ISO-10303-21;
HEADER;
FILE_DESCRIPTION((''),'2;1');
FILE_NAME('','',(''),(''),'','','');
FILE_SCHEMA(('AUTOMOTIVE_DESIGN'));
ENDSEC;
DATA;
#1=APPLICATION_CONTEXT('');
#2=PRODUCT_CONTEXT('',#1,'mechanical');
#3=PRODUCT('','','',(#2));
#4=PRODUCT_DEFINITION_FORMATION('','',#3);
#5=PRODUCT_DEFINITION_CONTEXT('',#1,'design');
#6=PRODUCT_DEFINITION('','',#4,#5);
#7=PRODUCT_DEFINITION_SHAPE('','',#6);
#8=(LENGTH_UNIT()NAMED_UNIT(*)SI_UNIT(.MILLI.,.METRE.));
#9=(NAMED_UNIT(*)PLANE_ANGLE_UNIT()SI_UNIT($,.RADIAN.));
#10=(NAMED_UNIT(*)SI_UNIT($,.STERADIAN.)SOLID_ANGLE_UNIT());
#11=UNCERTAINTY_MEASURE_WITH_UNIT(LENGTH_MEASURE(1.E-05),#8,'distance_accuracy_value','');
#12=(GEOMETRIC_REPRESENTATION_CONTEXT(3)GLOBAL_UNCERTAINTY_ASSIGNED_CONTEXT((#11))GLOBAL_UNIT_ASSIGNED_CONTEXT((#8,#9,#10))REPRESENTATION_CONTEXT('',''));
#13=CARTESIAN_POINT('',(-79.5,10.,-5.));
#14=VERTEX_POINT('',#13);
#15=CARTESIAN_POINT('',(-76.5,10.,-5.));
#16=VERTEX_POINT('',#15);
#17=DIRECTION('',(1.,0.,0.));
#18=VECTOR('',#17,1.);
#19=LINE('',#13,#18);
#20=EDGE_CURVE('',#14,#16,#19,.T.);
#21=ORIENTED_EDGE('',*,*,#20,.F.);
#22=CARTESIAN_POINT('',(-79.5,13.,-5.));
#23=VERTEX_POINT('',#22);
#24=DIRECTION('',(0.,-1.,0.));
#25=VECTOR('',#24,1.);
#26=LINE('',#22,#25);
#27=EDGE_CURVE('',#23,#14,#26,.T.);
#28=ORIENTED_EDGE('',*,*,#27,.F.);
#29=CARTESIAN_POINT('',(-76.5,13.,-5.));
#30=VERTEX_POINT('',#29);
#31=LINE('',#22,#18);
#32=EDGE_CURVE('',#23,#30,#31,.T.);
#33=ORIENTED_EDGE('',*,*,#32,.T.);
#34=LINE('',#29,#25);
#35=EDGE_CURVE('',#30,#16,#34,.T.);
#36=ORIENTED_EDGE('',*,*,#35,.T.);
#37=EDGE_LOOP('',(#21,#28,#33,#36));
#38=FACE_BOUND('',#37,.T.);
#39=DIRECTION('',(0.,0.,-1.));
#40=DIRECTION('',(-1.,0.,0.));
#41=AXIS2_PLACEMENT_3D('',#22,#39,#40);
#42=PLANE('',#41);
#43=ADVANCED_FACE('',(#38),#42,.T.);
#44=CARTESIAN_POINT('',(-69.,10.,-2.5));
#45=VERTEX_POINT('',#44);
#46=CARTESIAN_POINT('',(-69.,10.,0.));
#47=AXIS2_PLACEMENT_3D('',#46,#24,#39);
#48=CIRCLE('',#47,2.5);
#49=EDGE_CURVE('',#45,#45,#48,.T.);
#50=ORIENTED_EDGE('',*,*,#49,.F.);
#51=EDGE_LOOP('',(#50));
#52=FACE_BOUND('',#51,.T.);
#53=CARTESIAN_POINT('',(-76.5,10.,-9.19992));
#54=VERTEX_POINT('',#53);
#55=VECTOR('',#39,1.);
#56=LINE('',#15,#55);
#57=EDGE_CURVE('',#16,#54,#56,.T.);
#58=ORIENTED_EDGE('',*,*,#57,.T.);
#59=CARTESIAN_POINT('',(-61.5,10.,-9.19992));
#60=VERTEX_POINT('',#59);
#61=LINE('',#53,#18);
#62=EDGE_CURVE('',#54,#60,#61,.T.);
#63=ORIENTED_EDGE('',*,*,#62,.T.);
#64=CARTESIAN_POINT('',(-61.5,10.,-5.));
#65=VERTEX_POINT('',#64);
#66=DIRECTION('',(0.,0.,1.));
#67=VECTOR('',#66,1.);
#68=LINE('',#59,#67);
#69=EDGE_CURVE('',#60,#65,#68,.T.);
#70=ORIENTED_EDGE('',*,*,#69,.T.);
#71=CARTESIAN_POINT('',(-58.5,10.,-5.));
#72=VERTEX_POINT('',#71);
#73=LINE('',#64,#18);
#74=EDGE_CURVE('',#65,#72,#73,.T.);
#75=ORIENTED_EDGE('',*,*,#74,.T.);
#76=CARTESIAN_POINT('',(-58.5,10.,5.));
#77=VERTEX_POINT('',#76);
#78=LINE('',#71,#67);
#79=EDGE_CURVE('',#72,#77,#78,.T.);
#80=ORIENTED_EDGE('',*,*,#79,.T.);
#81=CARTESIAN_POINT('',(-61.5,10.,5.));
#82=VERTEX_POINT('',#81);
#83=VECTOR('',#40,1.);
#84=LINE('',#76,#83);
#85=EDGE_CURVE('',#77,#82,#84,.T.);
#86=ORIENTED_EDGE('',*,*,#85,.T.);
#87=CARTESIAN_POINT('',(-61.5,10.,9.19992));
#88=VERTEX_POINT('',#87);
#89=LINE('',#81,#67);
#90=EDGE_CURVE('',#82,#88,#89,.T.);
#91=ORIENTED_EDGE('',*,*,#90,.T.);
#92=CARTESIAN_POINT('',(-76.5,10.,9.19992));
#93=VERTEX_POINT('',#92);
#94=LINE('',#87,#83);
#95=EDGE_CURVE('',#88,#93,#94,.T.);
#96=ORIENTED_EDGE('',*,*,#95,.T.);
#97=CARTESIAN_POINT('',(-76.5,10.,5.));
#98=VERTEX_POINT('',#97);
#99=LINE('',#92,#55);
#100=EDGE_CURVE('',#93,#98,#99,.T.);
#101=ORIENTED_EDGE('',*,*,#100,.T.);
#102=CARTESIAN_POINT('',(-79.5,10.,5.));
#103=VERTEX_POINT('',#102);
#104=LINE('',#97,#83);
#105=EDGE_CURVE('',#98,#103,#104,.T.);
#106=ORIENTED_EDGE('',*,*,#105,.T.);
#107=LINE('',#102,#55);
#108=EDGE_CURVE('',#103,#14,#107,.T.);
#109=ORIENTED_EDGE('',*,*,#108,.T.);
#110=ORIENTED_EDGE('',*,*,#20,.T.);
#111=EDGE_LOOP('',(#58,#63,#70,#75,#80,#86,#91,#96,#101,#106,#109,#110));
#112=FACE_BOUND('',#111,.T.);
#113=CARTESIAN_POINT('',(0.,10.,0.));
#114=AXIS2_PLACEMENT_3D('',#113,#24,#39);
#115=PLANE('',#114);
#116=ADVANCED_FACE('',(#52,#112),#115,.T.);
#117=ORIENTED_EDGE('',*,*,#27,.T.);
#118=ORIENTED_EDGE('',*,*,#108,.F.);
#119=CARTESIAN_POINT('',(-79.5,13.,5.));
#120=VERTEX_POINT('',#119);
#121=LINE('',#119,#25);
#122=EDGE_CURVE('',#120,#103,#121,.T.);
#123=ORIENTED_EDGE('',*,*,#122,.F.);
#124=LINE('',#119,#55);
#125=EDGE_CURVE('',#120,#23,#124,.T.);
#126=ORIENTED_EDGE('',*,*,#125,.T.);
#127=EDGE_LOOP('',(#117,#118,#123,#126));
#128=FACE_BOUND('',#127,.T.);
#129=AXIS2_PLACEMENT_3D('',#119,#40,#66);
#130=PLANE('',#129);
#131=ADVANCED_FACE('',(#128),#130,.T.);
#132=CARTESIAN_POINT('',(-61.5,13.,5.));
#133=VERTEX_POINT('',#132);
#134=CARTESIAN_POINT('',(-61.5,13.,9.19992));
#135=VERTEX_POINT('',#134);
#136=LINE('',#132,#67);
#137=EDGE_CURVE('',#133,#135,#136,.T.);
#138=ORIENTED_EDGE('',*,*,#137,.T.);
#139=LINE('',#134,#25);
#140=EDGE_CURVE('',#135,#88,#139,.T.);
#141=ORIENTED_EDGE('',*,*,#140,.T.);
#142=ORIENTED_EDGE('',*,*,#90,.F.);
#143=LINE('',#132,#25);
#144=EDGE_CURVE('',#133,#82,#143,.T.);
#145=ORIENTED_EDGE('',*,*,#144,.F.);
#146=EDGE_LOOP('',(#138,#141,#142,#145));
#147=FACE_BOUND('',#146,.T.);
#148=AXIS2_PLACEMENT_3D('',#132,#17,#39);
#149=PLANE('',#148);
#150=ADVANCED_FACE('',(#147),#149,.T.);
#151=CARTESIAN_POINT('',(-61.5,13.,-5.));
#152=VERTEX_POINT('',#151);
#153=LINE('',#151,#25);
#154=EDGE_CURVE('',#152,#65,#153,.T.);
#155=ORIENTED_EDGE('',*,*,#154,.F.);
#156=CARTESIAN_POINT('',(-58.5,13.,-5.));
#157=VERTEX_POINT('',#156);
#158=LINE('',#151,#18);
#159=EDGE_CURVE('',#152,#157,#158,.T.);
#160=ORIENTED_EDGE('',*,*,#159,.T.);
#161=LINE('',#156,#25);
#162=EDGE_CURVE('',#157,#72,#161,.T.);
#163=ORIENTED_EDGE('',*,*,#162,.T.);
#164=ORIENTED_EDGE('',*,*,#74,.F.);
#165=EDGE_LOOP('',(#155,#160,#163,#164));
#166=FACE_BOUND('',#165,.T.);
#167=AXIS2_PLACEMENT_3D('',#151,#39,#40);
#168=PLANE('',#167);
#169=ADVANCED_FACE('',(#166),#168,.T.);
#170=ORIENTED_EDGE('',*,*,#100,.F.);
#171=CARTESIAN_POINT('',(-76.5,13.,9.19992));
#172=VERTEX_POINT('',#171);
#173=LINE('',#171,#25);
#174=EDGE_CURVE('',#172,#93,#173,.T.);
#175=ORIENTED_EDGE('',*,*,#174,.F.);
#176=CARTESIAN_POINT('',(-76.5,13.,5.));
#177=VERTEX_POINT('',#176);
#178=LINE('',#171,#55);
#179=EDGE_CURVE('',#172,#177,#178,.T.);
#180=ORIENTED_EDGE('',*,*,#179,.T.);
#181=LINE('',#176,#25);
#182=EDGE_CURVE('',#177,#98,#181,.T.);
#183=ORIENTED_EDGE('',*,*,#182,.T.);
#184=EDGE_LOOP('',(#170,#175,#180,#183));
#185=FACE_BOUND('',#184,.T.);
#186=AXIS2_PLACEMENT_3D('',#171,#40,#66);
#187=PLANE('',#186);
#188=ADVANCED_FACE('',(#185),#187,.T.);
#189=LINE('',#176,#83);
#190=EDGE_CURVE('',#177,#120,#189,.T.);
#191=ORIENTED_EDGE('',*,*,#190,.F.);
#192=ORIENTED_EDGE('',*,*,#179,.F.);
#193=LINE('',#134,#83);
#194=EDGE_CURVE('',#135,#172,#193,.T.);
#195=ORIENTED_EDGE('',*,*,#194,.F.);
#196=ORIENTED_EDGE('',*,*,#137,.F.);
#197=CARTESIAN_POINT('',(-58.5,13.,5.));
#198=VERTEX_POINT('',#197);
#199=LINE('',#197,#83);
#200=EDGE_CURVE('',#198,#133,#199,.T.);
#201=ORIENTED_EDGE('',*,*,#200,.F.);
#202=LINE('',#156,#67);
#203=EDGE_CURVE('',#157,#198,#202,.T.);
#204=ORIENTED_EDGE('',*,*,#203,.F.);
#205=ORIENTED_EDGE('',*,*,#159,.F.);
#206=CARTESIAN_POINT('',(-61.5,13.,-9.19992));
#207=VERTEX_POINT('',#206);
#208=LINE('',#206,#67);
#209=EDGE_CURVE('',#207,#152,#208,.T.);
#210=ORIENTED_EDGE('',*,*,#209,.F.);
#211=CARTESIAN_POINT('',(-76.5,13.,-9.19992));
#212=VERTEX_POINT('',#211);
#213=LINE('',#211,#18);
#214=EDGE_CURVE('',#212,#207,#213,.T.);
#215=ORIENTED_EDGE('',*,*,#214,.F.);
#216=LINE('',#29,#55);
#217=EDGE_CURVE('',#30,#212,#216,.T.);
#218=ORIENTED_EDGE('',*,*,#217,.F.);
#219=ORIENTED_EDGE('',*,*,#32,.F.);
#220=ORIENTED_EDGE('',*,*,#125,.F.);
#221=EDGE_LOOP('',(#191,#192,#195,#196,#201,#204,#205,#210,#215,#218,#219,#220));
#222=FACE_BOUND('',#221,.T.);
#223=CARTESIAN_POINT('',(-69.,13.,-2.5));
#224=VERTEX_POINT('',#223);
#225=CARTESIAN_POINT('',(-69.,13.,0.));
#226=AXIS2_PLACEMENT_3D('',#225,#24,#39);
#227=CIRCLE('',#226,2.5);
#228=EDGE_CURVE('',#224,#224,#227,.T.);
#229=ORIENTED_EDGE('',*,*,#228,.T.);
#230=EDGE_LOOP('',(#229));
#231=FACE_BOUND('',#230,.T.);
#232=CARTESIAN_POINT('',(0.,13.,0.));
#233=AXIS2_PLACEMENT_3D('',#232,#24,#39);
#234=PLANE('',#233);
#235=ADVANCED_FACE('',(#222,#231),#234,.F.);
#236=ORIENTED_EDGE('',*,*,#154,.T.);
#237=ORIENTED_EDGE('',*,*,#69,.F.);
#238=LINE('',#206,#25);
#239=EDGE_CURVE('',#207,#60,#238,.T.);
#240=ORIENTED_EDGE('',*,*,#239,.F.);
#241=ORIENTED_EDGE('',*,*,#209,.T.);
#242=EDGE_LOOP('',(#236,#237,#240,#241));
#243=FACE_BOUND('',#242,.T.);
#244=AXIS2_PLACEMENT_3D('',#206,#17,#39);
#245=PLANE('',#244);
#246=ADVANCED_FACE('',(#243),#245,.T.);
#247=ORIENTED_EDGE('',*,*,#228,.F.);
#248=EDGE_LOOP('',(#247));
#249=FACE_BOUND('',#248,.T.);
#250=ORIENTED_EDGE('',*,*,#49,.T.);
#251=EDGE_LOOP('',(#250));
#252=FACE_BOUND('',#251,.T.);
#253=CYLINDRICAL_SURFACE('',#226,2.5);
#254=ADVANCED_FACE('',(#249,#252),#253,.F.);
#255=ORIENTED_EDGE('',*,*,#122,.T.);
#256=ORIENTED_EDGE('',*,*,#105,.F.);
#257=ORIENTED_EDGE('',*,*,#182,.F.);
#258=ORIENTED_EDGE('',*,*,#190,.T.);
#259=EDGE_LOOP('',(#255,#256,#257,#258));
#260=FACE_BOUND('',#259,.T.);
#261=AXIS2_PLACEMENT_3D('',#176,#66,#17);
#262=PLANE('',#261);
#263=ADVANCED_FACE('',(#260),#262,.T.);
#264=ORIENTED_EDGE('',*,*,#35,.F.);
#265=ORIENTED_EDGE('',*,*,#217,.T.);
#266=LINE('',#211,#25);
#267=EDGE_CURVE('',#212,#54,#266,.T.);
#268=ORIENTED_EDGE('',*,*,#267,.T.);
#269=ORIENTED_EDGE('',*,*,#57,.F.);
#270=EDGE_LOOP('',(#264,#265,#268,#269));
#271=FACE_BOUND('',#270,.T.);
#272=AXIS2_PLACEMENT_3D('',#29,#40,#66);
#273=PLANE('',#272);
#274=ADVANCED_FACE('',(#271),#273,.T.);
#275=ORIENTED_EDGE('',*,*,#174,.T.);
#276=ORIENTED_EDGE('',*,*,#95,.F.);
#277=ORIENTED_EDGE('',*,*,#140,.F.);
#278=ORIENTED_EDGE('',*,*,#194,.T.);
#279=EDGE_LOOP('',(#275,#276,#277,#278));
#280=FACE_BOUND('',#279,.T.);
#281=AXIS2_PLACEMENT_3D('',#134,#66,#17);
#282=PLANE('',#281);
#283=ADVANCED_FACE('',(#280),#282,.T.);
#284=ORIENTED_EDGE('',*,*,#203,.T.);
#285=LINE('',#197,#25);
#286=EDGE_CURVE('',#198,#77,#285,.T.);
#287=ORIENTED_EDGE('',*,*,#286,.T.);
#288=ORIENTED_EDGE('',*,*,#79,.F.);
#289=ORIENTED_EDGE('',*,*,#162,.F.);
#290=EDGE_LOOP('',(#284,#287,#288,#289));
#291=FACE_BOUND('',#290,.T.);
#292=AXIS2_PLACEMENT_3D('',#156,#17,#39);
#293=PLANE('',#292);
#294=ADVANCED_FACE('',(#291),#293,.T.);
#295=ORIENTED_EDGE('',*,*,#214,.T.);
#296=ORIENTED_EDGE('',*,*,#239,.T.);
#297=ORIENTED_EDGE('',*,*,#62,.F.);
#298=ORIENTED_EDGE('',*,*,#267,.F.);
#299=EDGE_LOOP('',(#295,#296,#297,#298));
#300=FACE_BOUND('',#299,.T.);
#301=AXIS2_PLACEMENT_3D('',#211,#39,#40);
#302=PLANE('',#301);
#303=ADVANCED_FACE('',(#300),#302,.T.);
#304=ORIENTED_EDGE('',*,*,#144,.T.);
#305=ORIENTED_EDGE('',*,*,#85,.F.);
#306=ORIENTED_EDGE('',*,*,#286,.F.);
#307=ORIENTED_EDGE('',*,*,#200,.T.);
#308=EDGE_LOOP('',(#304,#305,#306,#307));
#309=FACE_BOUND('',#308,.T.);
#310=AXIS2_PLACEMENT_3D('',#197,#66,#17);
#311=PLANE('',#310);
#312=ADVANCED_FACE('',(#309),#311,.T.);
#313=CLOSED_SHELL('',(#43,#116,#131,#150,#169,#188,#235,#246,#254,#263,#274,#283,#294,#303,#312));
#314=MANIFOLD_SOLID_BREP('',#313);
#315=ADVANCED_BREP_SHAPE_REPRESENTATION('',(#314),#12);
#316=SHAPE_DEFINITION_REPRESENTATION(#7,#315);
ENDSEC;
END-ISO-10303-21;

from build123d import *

# Parameters (mm, degrees)
ESBO_O1_R                = 2.5
RESSALTO_EXTRUS_O1_DEPTH = 3


with BuildPart() as part:
    # Esboço1 → Ressalto-extrusão1 (new body)
    with BuildSketch(Plane.XZ.offset(-10)):
        Polygon((-61.5, -9.199919627), (-61.5, -5), (-58.5, -5), (-58.5, 5), (-61.5, 5), (-61.5, 9.199919627), (-76.5, 9.199919627), (-76.5, 5), (-79.5, 5), (-79.5, -5), (-76.5, -5), (-76.5, -9.199919627), align=None)
        with Locations((-69, 0)):
            Circle(ESBO_O1_R, mode=Mode.SUBTRACT)
    extrude(amount=-RESSALTO_EXTRUS_O1_DEPTH)


solid = part.part
